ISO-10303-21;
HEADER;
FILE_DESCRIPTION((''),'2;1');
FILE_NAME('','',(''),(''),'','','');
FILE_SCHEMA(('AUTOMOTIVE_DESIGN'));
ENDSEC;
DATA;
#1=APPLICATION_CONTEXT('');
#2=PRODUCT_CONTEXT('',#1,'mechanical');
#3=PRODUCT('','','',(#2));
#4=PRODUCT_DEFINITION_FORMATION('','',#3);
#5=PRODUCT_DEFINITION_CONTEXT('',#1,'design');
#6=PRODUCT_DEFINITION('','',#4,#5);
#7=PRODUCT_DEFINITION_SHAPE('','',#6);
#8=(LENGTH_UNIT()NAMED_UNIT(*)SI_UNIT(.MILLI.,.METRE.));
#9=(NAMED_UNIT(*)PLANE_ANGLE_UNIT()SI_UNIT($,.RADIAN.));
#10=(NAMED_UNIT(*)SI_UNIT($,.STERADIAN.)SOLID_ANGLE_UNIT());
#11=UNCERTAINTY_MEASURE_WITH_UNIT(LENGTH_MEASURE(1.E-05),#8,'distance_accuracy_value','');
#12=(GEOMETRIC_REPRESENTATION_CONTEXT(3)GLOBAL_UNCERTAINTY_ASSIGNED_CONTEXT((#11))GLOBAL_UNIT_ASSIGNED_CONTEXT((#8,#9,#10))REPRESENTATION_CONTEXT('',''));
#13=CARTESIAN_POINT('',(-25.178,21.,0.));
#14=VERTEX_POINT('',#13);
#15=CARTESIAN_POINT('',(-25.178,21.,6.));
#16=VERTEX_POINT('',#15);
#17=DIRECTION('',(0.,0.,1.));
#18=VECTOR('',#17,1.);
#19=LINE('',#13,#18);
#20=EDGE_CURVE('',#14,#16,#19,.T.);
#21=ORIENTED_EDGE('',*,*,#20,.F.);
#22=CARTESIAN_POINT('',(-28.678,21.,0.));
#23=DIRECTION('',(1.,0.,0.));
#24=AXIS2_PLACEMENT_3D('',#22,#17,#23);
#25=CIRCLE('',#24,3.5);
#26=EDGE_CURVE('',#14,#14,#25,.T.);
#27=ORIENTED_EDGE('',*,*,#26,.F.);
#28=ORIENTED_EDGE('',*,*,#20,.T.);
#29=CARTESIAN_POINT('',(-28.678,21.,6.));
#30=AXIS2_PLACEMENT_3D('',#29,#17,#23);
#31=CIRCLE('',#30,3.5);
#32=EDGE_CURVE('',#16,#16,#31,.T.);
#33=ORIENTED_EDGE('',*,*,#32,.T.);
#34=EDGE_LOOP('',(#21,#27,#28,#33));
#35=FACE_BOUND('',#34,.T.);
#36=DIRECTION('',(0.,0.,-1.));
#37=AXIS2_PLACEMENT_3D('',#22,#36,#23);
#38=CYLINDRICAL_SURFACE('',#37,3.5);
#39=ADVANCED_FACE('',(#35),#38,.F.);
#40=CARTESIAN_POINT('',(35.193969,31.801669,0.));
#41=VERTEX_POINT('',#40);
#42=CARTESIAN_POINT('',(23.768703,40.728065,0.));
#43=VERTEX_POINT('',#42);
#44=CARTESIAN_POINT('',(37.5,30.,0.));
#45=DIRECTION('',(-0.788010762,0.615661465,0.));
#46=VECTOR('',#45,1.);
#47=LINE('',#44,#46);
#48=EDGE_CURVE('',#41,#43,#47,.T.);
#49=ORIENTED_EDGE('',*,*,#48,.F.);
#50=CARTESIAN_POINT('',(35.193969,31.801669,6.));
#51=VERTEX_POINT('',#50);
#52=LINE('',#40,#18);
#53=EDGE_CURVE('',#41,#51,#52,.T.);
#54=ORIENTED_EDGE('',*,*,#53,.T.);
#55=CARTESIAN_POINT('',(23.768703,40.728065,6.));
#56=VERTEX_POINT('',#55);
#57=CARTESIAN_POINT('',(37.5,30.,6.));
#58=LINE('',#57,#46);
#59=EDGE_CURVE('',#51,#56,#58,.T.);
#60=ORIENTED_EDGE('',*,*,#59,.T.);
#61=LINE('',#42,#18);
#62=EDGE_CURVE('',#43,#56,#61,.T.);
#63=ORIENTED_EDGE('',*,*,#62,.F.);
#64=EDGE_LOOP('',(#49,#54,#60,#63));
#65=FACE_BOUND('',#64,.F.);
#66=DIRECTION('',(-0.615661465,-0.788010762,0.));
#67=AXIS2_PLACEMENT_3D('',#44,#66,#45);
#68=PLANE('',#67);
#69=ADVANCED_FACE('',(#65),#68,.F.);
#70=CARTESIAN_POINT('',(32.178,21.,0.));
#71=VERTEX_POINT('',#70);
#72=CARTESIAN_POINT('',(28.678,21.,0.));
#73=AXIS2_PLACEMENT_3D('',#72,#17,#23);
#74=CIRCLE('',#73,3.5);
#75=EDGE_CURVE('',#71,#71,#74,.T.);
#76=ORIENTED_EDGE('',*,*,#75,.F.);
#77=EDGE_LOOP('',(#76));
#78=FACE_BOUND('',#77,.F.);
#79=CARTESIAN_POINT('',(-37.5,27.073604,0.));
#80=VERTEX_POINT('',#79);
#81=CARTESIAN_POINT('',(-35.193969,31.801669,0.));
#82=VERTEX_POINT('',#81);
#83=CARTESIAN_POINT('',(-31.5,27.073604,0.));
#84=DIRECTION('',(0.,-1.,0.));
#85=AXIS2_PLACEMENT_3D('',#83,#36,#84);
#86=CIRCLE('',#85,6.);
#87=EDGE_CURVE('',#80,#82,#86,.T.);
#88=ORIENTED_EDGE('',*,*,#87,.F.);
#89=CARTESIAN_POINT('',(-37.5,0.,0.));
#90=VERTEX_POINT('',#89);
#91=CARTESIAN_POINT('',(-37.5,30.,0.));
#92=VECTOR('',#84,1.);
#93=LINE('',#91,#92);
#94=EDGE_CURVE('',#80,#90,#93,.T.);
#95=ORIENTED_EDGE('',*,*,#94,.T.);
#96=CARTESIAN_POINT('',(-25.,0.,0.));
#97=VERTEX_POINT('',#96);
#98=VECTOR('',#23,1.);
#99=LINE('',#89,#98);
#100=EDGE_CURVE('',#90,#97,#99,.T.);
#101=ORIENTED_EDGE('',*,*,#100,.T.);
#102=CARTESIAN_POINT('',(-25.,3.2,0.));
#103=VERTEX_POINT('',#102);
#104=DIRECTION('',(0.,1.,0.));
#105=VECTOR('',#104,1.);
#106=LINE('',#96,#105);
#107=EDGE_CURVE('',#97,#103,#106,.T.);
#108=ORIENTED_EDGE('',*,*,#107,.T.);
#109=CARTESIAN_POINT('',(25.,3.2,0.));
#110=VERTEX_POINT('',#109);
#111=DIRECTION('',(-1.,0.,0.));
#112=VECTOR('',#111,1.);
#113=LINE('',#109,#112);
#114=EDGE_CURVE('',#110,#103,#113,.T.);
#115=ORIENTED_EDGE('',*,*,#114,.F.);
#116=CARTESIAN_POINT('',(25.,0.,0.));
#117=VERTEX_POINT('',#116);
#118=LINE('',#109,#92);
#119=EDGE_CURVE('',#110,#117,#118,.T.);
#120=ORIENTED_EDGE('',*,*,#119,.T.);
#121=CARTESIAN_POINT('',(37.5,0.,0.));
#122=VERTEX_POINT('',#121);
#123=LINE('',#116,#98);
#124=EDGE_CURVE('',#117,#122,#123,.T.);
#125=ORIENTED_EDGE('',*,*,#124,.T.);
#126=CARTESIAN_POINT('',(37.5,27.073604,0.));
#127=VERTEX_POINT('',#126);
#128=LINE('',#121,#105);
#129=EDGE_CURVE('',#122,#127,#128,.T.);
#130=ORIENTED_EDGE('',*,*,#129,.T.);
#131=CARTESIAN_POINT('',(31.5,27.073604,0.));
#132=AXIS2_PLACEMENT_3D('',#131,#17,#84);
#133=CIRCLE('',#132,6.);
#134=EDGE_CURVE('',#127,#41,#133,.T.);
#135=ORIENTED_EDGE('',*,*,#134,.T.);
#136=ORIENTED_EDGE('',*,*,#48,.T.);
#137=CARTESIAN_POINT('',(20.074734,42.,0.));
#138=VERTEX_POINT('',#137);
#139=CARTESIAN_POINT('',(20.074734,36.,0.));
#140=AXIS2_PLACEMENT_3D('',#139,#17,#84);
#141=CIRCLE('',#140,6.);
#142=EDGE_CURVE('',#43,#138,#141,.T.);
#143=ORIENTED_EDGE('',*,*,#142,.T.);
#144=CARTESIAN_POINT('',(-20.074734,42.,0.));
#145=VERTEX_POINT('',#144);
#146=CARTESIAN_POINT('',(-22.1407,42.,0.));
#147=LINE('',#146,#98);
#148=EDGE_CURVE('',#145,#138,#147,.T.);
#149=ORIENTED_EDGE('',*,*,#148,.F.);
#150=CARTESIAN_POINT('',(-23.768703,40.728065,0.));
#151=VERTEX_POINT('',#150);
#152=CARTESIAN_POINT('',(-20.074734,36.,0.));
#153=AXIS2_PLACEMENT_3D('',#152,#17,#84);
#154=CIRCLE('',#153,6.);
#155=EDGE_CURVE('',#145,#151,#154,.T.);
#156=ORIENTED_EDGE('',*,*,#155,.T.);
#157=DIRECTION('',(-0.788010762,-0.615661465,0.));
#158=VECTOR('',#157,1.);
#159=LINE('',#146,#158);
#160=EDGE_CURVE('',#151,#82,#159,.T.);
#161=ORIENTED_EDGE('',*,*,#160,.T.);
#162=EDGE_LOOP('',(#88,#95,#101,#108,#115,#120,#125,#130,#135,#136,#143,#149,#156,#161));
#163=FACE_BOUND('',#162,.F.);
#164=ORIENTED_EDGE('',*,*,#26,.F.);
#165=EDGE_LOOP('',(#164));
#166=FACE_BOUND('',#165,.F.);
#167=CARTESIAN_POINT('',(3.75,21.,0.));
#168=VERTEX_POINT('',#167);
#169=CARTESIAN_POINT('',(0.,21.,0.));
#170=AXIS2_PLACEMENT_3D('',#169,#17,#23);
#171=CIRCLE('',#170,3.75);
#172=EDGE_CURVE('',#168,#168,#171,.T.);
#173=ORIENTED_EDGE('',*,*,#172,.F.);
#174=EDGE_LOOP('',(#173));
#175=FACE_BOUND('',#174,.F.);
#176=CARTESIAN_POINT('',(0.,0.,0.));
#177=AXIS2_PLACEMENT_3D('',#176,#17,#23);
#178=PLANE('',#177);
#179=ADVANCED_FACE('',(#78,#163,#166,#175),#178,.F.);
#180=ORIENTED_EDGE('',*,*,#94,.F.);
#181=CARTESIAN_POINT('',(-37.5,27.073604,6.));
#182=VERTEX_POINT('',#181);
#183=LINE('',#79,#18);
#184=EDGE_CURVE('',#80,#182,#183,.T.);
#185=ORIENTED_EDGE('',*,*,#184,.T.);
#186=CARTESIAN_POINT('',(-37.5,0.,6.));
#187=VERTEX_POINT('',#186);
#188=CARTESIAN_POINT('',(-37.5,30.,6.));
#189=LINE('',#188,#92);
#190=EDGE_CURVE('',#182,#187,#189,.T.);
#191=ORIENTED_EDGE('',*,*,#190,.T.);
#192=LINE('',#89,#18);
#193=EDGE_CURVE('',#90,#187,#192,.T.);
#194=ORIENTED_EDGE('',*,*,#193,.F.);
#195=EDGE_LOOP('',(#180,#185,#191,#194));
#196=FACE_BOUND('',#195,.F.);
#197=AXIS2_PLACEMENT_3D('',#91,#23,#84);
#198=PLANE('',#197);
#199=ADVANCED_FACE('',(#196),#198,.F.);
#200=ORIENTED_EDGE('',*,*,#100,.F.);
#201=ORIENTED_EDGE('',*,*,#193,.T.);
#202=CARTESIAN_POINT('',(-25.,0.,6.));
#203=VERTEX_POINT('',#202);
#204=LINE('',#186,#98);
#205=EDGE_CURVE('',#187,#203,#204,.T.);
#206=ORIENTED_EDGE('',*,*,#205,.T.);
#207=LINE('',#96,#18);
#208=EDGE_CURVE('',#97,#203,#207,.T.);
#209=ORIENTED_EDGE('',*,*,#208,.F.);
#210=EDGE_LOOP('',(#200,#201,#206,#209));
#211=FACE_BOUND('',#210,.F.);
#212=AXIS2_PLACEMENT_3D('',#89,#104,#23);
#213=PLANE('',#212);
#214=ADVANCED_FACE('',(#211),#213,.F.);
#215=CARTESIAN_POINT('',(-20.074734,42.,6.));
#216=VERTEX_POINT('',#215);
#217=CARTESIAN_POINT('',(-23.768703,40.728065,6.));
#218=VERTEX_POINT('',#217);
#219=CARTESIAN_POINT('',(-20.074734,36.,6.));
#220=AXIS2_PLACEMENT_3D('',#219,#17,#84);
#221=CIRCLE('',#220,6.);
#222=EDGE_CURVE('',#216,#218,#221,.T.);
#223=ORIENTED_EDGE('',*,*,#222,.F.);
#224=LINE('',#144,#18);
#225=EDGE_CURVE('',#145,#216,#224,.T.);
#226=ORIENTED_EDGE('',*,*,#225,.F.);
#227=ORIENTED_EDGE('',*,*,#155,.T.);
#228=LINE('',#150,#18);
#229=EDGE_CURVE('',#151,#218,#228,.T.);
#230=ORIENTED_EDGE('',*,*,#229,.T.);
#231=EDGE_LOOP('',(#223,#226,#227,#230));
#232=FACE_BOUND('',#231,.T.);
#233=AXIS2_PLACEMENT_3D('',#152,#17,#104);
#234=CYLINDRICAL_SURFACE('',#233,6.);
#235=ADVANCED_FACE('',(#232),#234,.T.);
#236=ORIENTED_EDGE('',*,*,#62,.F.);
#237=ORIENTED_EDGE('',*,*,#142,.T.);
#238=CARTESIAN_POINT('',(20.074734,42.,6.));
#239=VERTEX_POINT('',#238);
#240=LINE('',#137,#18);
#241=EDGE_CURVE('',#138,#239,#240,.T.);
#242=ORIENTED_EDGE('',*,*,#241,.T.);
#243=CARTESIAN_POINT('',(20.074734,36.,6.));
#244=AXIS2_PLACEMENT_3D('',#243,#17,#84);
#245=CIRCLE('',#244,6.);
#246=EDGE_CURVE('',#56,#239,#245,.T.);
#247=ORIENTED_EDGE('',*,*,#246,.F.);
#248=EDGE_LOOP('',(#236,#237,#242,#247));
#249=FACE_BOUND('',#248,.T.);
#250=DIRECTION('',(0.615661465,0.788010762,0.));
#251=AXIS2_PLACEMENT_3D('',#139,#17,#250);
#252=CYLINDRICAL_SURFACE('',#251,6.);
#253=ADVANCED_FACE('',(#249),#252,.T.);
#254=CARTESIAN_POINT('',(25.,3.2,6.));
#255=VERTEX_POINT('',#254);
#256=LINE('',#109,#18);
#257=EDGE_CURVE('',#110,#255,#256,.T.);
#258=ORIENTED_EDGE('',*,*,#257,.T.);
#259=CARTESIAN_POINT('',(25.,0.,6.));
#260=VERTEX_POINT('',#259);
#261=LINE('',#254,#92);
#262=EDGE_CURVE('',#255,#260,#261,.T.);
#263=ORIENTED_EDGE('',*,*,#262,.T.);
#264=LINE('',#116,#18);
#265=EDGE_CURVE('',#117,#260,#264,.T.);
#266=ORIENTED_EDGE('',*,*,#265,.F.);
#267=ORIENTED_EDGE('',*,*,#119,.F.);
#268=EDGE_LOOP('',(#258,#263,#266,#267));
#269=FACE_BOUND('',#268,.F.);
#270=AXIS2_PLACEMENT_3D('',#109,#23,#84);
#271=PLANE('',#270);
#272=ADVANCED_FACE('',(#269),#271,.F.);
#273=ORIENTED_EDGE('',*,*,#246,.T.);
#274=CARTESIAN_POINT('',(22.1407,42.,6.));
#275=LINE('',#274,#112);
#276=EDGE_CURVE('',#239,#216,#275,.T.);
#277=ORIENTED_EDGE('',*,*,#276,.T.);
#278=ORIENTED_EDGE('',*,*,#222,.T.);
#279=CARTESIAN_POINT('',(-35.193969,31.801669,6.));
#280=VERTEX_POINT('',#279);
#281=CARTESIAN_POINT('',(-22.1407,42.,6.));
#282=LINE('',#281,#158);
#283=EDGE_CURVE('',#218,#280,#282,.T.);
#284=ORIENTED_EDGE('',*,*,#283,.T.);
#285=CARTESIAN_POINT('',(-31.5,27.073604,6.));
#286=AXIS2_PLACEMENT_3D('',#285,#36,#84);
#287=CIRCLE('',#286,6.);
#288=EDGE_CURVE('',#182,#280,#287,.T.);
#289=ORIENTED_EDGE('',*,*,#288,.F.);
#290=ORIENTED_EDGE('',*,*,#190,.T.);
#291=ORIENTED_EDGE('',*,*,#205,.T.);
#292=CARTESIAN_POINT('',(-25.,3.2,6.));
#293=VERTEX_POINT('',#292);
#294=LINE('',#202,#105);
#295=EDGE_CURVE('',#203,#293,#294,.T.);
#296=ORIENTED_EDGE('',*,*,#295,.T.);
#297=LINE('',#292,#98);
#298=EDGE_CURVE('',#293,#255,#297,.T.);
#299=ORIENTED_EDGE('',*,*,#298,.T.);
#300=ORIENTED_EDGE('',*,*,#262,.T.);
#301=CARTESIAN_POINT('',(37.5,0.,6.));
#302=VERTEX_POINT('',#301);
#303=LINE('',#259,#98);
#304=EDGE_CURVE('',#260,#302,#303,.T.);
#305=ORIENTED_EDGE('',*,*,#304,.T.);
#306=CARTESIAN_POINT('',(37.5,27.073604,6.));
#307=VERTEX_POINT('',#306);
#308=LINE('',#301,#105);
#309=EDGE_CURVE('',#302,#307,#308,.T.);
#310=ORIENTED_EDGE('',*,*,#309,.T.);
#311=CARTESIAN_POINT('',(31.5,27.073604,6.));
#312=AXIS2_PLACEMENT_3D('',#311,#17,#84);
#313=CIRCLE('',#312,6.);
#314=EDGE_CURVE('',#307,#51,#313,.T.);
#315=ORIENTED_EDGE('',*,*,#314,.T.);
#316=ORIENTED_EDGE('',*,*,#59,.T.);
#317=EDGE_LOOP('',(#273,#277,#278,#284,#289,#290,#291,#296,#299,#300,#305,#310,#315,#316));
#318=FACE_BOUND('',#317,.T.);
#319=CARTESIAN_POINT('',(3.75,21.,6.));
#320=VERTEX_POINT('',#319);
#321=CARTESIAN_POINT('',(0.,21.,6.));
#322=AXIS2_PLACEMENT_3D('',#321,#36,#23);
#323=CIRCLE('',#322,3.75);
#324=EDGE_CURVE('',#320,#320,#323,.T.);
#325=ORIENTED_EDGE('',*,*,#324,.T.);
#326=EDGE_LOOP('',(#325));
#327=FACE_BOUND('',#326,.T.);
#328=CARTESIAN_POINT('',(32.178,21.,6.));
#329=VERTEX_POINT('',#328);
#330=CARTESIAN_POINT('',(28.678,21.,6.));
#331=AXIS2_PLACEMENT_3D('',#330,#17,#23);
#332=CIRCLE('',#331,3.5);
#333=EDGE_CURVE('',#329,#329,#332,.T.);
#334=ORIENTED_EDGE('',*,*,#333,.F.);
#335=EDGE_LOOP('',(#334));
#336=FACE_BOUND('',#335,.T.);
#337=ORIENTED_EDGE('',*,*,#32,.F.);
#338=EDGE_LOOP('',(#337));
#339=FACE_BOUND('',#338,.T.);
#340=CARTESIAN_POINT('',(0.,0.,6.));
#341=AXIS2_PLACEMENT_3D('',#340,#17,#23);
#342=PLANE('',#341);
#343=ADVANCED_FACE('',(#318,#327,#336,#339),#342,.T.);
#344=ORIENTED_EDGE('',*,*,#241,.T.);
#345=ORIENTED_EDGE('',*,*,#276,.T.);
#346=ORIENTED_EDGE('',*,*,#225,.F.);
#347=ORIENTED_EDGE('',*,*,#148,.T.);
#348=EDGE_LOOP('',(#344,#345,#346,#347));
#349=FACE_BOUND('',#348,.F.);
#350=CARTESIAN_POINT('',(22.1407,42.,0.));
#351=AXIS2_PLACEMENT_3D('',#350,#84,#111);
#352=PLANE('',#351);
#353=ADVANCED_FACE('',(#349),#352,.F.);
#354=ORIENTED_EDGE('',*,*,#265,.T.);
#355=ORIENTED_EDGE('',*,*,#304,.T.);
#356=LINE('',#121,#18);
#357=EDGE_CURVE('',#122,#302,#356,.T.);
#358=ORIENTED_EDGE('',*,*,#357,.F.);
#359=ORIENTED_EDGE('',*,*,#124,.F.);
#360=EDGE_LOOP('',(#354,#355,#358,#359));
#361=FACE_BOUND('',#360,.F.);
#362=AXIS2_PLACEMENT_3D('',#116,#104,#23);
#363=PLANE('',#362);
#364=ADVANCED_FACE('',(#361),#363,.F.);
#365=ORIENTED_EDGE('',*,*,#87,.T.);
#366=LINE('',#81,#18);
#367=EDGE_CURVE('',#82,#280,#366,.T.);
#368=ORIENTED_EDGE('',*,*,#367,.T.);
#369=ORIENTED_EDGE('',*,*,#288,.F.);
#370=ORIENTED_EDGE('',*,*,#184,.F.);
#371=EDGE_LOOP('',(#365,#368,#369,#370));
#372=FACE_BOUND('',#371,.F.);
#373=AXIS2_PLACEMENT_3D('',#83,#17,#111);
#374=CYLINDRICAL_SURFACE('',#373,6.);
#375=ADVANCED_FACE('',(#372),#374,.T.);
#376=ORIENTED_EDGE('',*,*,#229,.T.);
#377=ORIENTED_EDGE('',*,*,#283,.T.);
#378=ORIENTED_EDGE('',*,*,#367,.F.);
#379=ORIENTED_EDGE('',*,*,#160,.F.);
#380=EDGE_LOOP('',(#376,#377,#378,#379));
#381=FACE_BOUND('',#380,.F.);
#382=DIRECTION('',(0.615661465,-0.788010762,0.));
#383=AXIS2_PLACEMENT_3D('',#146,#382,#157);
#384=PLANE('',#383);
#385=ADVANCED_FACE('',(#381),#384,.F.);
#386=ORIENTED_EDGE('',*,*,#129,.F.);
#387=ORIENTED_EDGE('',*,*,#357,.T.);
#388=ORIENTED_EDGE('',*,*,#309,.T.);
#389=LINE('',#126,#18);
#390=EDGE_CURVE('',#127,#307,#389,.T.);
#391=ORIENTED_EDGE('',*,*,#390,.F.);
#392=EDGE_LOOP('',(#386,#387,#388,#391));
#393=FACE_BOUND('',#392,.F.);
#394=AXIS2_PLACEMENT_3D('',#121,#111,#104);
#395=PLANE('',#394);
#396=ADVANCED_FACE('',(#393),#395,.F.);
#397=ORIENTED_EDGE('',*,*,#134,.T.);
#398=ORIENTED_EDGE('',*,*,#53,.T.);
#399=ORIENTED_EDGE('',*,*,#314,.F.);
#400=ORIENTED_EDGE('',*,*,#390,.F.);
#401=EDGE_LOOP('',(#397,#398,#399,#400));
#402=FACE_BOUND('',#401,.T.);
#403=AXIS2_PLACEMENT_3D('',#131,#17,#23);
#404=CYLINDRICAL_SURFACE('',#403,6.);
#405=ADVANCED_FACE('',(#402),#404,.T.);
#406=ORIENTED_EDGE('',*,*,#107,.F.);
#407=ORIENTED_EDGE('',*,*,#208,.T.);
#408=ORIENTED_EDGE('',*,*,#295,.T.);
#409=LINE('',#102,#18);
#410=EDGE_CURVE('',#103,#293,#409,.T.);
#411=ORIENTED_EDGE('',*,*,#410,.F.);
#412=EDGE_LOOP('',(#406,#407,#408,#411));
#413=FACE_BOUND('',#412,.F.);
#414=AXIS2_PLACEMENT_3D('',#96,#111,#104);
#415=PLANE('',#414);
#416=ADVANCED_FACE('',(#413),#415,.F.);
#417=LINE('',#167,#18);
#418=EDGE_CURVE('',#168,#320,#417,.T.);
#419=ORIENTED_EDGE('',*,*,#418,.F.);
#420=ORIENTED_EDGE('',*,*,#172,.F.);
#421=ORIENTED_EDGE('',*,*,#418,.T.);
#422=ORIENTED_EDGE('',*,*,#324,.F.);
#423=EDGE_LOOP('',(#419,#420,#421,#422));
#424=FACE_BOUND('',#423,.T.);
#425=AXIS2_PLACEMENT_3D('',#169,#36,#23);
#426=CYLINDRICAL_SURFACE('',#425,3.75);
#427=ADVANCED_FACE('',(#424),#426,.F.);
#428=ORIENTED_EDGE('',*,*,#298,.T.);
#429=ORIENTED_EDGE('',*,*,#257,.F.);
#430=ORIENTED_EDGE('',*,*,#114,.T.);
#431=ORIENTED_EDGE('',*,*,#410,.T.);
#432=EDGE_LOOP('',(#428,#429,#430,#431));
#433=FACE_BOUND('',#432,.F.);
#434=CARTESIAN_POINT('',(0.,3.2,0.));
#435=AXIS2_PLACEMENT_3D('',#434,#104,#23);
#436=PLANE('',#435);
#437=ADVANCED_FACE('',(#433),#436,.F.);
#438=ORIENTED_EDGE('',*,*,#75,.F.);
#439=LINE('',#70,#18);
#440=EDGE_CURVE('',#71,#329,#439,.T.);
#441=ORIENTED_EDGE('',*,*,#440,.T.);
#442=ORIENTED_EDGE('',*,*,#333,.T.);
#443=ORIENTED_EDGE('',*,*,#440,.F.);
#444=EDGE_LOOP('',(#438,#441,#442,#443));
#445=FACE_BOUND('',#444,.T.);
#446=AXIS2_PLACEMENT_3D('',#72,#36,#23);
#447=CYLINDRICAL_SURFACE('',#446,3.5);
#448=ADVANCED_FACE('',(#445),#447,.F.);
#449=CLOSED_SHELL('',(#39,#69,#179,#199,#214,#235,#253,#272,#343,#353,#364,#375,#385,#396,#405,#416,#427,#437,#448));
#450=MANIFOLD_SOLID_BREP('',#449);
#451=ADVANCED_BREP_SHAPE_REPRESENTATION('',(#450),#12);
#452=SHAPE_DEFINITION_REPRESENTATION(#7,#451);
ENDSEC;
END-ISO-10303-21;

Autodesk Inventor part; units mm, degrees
ref_plane "YZ Plane" through (0, 0, 0) normal (1, 0, 0) x (0, 1, 0)
ref_plane "XZ Plane" through (0, 0, 0) normal (0, 1, 0) x (-1, 0, 0)
ref_plane "XY Plane" through (0, 0, 0) normal (0, 0, 1) x (1, 0, 0)
sketch "Sketch1" plane through (0, 0, 0) normal (0, 0, 1) x (1, 0, 0)
  line L0 (37.5, 0) -> (37.5, 30)
  line L1 (37.5, 30) -> (22.1407, 42)
  line L2 (22.1407, 42) -> (-22.1407, 42)
  line L3 (-22.1407, 42) -> (-37.5, 30)
  line L4 (-37.5, 30) -> (-37.5, 0)
  circle A0 centre (-28.678, 21) radius 3.5
  circle A1 centre (28.678, 21) radius 3.5
  circle A2 centre (0, 21) radius 3.75
  line L5 (-37.5, 0) -> (-25, 0)
  line L6 (-25, 0) -> (-25, 3.2)
  line L7 (-25, 3.2) -> (25, 3.2)
  line L8 (25, 3.2) -> (25, 0)
  line L9 (25, 0) -> (37.5, 0)
  line L10 (0, -8.4) -> (0, 50.4) projected
  line L11 (-52.5, 0) -> (52.5, 0) projected
  point P0 (0, 0)
  point P1 (0, 42)
  point P2 (0, 0)
  dimension "d0" = 30
  dimension "d1" = 30
  dimension "d3" = 128
  dimension "d4" = 75
  dimension "d5" = 7
  dimension "d7" = 7
  dimension "d9" = 28.678
  dimension "d10" = 28.678
  dimension "d24" = 7.5
  dimension "d28" = 50
  dimension "d29" = 12.5
  dimension "d30" = 3.2
  dimension "d31" = 37.5
  dimension "d32" = 128
  dimension "d33" = 3.2
  dimension "d34" = 17.8
  dimension "d36" = 44.2814
extrude "Extrusion2" add sketch "Sketch1" along normal blind 6 contours L9 L8 L7 L10 A2 L2 L1 L0 | L10 A2 L7 L6 L5 L4 L3 L2
fillet "Fillet2" radius 6 4 edges at (-22.1407, 42, 3) (22.1407, 42, 3) (37.5, 30, 3) (-37.5, 30, 3)
equation "\"d1\" = d0"
equation "\"d7\" = d5"
equation "\"d10\" = d9"
properties part number "Tope riel final"
